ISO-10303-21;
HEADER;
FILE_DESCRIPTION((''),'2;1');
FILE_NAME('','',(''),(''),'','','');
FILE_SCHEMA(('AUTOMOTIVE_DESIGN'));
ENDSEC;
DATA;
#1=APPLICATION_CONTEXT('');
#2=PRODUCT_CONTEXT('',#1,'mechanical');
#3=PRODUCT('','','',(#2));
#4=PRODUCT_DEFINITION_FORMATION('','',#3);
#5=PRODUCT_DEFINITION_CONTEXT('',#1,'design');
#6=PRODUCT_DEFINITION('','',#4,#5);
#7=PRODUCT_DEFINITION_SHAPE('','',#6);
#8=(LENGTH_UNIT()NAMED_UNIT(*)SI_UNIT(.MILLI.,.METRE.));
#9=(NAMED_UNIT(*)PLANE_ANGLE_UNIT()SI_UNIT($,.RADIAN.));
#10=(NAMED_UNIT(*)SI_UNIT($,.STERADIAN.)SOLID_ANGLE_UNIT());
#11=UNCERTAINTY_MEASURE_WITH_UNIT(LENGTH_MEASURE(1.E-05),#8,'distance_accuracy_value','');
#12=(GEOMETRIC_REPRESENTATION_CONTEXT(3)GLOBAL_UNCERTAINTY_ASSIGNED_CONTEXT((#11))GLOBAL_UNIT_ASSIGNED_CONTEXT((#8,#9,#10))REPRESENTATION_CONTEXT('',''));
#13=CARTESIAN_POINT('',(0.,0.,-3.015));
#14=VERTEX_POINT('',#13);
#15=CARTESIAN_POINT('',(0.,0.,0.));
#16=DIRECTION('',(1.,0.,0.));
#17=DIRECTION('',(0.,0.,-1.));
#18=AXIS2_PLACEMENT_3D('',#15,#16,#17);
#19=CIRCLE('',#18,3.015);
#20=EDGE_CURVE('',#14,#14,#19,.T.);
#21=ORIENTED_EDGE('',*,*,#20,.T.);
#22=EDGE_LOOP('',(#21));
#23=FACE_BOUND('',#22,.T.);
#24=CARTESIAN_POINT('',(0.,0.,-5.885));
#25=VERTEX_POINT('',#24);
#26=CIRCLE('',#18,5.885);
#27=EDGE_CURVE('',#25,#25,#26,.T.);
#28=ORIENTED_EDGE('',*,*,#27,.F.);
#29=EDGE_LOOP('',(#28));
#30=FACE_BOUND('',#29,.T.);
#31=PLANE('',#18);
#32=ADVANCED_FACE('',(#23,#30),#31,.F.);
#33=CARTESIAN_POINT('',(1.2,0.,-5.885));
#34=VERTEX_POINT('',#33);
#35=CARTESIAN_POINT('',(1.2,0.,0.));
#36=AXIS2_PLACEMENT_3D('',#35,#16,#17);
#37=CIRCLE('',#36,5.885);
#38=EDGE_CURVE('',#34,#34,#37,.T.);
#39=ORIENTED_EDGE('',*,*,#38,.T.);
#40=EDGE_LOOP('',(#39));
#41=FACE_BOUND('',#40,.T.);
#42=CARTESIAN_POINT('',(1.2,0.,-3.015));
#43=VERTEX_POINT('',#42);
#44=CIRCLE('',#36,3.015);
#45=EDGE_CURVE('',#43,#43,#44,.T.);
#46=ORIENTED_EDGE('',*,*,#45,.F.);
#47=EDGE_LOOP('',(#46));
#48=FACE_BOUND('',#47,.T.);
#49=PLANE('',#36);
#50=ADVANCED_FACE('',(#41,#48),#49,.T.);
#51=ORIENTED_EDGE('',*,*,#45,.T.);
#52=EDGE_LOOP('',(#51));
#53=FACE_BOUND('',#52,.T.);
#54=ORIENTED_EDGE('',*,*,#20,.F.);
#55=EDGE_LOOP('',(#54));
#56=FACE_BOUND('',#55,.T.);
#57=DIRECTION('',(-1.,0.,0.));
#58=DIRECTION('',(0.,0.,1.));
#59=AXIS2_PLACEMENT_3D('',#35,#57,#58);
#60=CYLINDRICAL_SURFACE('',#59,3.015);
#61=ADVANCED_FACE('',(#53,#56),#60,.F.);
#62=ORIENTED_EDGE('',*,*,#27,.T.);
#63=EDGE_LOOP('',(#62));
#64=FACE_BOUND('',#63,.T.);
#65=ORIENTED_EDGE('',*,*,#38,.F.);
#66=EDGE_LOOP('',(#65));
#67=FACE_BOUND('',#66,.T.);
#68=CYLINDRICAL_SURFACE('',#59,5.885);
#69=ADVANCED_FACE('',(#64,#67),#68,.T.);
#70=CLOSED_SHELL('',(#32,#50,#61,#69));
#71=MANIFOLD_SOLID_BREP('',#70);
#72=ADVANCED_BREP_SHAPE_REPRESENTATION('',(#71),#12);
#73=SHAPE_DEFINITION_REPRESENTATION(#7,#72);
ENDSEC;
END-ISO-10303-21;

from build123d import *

# Parameters (mm, degrees)
SKETCH1_R          = 5.885
SKETCH1_R_2        = 3.015
BASE_EXTRUDE_DEPTH = 1.2


with BuildPart() as part:
    # Sketch1 → Base-Extrude (new body)
    with BuildSketch(Plane(origin=(0, 0, 0), x_dir=(0, 0, -1), z_dir=(1, 0, 0))):
        Circle(SKETCH1_R)
        Circle(SKETCH1_R_2, mode=Mode.SUBTRACT)
    extrude(amount=BASE_EXTRUDE_DEPTH)


solid = part.part
